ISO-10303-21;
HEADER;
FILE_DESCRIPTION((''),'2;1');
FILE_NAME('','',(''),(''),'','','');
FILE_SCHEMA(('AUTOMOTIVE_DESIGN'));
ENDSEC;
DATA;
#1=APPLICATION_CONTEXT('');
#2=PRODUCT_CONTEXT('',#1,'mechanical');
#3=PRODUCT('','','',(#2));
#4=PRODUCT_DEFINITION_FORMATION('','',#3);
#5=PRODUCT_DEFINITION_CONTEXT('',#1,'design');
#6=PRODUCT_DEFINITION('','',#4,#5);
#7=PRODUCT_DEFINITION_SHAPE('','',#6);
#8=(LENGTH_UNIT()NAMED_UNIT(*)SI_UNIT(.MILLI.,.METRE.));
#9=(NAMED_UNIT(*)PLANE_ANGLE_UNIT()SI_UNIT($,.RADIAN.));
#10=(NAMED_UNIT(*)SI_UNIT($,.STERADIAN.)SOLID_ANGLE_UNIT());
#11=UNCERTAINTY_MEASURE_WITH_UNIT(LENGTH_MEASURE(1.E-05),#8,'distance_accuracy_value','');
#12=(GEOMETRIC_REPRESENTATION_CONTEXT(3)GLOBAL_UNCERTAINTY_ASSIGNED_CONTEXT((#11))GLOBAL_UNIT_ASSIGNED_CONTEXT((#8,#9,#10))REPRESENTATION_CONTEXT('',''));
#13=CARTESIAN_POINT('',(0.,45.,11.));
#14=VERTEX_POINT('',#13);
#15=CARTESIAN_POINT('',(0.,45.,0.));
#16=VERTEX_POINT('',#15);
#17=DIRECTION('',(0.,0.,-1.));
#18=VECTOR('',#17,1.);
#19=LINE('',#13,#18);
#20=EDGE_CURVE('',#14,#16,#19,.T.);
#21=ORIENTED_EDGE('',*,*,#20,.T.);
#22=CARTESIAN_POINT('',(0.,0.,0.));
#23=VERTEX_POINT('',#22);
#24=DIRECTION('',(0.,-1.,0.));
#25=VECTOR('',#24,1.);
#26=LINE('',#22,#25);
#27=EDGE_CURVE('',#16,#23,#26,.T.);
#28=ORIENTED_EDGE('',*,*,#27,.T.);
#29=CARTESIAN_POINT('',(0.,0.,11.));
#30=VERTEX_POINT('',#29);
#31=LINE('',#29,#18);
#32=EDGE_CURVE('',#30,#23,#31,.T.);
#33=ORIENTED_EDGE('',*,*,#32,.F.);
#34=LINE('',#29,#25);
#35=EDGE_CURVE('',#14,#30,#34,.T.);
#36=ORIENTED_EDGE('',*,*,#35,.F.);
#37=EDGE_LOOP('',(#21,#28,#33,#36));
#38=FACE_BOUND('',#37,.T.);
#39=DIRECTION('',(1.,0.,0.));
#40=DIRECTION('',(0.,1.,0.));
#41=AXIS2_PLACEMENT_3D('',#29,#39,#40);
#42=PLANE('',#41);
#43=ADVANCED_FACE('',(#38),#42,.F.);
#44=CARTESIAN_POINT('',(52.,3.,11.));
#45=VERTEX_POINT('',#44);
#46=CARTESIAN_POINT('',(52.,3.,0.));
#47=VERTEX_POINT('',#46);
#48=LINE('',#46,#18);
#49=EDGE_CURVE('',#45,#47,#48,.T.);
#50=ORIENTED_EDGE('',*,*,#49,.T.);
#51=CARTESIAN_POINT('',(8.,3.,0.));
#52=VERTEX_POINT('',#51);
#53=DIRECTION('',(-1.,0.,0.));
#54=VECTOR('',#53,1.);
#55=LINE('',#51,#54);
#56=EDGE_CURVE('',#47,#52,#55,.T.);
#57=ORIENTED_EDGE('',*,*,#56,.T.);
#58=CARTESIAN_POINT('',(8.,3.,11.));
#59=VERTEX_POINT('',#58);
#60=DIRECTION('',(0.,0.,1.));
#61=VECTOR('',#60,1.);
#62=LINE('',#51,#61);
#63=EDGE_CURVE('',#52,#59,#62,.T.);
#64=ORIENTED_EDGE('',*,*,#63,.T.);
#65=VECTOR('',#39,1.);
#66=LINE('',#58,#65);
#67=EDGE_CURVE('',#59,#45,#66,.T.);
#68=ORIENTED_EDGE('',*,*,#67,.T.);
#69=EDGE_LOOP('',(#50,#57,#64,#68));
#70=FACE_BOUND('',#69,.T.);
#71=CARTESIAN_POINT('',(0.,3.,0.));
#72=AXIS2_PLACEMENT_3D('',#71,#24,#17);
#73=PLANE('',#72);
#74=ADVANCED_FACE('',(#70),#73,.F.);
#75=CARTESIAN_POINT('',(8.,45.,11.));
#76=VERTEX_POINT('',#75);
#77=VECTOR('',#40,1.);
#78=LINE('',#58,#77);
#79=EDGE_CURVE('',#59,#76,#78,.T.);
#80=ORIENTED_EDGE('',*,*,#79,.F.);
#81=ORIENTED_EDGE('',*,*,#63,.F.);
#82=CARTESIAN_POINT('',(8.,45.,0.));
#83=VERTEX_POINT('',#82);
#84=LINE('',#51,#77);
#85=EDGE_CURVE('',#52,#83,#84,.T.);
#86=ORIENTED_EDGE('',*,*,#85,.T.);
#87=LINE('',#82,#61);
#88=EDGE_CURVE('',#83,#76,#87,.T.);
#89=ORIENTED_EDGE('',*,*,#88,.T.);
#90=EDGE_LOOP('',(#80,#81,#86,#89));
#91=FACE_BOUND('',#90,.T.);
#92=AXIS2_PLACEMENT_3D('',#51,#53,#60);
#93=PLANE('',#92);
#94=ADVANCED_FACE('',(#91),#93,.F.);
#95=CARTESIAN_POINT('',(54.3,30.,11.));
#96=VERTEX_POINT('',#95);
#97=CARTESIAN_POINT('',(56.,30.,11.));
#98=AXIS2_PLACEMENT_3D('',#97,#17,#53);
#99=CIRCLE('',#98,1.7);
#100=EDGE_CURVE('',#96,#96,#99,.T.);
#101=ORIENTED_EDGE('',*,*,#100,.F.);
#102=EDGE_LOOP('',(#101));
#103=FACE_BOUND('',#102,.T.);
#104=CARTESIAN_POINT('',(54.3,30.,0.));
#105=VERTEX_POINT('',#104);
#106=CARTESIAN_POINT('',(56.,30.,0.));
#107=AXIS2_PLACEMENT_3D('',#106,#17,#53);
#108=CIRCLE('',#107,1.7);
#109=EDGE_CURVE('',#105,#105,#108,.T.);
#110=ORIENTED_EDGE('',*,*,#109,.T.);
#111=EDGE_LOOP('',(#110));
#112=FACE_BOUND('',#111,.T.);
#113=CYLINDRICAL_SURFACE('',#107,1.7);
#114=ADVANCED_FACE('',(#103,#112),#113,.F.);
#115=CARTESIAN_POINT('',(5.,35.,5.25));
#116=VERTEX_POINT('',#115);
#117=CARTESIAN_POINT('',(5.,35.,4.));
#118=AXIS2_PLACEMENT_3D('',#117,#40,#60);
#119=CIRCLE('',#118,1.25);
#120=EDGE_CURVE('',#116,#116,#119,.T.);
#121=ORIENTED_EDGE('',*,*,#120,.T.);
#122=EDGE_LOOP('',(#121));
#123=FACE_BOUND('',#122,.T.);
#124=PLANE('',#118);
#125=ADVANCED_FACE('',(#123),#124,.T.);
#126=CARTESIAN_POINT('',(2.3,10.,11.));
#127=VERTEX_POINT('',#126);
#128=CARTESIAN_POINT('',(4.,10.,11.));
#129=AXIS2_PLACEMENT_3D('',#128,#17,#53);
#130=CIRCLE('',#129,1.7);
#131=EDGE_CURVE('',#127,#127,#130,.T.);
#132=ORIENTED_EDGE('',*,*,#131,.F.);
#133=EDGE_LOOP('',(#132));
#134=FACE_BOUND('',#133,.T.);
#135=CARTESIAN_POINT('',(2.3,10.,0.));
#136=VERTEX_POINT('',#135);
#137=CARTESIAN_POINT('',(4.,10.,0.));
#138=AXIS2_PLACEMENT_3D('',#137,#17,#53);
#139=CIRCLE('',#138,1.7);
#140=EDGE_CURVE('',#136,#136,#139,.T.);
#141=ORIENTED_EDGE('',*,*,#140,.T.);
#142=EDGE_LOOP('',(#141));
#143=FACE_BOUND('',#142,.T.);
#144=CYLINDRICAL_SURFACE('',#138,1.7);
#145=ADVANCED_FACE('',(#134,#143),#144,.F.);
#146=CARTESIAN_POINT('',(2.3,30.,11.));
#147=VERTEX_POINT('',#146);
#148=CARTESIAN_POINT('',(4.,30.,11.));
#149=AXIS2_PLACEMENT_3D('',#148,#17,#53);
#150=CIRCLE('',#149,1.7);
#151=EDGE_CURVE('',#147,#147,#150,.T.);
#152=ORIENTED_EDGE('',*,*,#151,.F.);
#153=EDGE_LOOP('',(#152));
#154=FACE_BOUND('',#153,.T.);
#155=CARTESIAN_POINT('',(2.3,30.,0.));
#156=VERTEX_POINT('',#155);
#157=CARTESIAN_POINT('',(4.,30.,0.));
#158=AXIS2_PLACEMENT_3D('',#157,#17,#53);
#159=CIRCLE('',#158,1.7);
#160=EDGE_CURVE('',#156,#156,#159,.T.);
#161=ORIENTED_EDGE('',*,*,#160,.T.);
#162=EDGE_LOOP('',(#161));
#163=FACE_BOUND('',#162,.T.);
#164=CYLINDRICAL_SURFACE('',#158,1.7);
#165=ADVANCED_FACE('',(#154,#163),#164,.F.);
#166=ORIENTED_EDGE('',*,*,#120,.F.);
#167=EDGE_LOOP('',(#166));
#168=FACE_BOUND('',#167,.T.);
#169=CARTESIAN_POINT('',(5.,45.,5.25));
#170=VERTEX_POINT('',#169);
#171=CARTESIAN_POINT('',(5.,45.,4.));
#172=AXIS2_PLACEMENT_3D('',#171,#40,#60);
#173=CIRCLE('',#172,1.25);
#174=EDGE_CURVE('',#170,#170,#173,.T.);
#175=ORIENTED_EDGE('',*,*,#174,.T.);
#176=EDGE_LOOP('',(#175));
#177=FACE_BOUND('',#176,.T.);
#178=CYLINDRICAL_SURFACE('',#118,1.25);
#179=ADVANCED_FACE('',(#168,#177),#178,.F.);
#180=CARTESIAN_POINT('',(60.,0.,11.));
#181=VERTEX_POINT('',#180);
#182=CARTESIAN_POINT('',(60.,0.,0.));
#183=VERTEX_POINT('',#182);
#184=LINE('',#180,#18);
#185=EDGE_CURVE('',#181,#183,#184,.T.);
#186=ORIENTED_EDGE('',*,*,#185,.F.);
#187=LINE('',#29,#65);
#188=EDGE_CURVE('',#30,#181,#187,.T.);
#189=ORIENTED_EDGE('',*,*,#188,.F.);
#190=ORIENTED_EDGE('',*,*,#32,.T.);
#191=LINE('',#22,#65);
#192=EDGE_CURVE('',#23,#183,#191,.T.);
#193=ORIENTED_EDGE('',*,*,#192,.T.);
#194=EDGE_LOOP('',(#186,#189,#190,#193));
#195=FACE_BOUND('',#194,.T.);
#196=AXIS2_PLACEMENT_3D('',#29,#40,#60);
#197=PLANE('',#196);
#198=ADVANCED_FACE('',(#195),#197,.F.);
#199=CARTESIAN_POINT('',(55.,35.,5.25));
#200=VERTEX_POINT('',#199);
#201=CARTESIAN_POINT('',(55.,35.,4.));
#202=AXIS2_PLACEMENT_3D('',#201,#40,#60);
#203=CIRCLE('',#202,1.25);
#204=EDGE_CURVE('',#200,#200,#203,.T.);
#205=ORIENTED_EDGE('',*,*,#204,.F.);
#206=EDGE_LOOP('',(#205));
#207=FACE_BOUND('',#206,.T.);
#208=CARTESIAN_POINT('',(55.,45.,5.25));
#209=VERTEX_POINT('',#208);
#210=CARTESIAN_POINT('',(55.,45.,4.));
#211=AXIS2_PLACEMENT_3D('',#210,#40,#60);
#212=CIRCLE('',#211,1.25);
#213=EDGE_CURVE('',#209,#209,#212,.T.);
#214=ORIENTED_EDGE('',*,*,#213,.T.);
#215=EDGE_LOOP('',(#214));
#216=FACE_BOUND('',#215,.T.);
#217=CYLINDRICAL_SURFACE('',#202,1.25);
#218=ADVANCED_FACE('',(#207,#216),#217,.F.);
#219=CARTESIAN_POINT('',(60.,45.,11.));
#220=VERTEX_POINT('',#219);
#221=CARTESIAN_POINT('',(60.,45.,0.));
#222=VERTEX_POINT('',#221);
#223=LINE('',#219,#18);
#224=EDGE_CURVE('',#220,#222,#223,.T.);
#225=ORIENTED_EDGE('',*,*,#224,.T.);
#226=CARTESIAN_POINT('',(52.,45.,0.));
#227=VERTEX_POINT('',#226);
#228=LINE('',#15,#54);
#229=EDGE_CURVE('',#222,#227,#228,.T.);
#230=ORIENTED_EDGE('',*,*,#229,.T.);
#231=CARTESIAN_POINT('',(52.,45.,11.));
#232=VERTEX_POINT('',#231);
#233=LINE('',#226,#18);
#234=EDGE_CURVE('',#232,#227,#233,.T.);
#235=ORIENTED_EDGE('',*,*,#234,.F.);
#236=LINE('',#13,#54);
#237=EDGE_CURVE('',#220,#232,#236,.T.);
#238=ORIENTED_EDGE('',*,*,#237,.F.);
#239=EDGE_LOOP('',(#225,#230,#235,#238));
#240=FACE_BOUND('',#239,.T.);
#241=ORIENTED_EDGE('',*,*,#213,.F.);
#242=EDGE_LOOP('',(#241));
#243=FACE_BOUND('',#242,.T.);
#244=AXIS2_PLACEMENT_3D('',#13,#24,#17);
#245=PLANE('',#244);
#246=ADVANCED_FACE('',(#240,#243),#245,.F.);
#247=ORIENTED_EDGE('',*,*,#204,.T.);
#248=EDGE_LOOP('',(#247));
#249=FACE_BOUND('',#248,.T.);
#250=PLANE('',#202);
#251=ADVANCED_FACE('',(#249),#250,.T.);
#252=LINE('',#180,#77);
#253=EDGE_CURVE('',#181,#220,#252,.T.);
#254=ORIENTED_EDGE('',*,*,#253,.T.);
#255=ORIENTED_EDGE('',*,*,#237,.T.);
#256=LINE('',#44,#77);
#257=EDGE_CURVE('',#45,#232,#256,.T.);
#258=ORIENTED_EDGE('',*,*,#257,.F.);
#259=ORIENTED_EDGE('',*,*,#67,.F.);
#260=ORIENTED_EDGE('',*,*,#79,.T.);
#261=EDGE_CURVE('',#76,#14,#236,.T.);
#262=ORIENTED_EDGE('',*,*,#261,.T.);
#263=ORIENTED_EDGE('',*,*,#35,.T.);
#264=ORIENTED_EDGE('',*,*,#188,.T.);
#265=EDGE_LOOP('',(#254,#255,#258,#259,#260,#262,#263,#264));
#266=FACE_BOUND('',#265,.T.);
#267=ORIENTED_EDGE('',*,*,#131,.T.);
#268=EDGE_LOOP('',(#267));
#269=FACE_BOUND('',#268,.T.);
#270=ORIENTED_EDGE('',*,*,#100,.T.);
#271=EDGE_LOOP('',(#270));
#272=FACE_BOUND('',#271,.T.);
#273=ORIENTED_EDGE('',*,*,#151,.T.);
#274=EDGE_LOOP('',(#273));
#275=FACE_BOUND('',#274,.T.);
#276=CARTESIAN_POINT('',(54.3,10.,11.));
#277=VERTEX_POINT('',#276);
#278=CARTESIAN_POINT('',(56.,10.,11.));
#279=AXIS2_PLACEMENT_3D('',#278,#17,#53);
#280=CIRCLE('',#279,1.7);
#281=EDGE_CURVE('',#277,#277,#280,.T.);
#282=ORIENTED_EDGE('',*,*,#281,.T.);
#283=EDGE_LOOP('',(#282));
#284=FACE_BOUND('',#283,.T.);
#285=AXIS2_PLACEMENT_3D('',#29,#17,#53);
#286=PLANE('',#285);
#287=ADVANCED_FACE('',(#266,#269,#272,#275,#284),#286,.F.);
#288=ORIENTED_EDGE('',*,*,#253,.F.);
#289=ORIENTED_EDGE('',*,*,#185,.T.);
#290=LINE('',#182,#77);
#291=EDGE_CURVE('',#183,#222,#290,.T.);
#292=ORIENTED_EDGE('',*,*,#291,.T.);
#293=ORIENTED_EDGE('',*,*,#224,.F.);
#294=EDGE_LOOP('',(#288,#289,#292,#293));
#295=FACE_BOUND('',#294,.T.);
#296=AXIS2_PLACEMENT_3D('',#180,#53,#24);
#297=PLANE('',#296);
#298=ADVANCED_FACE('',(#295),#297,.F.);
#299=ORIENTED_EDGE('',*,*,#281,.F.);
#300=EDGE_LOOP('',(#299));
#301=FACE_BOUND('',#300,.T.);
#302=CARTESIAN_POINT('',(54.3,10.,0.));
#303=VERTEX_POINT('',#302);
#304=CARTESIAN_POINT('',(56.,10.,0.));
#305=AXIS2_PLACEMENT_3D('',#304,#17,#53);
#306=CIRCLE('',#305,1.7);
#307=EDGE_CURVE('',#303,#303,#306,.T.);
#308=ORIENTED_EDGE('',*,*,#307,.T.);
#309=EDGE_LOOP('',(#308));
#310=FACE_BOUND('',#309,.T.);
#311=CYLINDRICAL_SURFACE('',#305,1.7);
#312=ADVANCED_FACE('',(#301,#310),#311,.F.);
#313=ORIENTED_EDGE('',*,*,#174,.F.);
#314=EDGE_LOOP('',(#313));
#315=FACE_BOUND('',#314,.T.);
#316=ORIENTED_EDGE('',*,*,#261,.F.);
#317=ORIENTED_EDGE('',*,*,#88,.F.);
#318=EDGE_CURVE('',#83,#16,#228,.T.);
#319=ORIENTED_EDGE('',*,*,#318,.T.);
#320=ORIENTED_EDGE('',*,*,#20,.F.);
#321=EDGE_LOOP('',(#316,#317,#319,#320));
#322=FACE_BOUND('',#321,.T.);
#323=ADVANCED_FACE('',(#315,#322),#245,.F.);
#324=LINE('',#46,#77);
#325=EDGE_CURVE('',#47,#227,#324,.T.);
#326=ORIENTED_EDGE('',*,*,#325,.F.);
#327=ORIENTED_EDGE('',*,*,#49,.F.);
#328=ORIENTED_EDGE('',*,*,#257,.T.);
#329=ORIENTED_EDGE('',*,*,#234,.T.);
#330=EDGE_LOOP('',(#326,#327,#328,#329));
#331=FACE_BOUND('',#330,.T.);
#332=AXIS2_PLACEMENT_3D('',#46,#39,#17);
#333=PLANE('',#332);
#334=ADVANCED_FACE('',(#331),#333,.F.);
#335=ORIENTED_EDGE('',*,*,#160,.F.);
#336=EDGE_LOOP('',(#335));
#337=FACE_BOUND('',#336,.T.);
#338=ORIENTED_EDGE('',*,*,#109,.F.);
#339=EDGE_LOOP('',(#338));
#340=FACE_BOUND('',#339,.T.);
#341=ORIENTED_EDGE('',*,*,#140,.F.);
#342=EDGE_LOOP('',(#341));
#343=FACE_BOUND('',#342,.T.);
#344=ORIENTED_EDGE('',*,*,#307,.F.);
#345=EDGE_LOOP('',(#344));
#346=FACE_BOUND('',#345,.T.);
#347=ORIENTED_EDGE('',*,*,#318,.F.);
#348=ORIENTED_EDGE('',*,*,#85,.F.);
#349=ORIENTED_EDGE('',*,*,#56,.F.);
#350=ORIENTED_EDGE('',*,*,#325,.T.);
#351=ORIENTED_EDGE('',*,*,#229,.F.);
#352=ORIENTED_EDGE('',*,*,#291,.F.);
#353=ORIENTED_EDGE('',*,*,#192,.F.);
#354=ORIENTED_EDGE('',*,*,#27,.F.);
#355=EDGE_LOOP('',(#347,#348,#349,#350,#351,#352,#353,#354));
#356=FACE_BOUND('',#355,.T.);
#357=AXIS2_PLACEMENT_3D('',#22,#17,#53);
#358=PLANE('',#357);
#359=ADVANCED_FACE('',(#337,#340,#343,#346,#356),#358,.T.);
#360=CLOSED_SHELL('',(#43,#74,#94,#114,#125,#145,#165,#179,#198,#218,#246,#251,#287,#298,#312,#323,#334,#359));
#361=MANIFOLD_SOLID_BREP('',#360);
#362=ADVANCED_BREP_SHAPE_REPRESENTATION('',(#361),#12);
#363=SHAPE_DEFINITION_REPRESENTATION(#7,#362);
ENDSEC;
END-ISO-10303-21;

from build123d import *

# Parameters (mm, degrees)
SKETCH1_W                  = 60
SKETCH1_H                  = 45
BOSS_EXTRUDE1_DEPTH        = 11
SKETCH3_W                  = 44
SKETCH3_H                  = 11
FAN_DEPTH                  = 42
SKETCH4_R                  = 1.25
SCREWS_DEPTH               = 10
F_3_4_3_4_DIAMETER_HOLE1_D = 3.4


with BuildPart() as part:
    # Sketch1 → Boss-Extrude1 (new body)
    with BuildSketch(Plane.XY):
        with Locations((30, 22.5)):
            Rectangle(SKETCH1_W, SKETCH1_H)
    extrude(amount=BOSS_EXTRUDE1_DEPTH)

    # Sketch3 → fan (cut)
    with BuildSketch(Plane(origin=(0, 45, 0), x_dir=(1, 0, 0), z_dir=(0, 1, 0))):
        with Locations((30, -5.5)):
            Rectangle(SKETCH3_W, SKETCH3_H)
    extrude(amount=-FAN_DEPTH, mode=Mode.SUBTRACT)

    # Sketch4 → screws (cut)
    with BuildSketch(Plane(origin=(0, 45, 0), x_dir=(1, 0, 0), z_dir=(0, 1, 0))):
        with Locations(Location((5, -4, 0), (0, 0, 270))):
            Circle(SKETCH4_R)
        with Locations(Location((55, -4, 0), (0, 0, 270))):
            Circle(SKETCH4_R)
    extrude(amount=-SCREWS_DEPTH, mode=Mode.SUBTRACT)

    # Ø3.4 (3.4) Diameter Hole1 (through all)
    with Locations(Plane(origin=(0, 0, 0), x_dir=(-1, 0, 0), z_dir=(0, 0, -1))):
        with Locations((-4, 30), (-4, 10), (-56, 10), (-56, 30)):
            Hole(F_3_4_3_4_DIAMETER_HOLE1_D / 2)


solid = part.part
